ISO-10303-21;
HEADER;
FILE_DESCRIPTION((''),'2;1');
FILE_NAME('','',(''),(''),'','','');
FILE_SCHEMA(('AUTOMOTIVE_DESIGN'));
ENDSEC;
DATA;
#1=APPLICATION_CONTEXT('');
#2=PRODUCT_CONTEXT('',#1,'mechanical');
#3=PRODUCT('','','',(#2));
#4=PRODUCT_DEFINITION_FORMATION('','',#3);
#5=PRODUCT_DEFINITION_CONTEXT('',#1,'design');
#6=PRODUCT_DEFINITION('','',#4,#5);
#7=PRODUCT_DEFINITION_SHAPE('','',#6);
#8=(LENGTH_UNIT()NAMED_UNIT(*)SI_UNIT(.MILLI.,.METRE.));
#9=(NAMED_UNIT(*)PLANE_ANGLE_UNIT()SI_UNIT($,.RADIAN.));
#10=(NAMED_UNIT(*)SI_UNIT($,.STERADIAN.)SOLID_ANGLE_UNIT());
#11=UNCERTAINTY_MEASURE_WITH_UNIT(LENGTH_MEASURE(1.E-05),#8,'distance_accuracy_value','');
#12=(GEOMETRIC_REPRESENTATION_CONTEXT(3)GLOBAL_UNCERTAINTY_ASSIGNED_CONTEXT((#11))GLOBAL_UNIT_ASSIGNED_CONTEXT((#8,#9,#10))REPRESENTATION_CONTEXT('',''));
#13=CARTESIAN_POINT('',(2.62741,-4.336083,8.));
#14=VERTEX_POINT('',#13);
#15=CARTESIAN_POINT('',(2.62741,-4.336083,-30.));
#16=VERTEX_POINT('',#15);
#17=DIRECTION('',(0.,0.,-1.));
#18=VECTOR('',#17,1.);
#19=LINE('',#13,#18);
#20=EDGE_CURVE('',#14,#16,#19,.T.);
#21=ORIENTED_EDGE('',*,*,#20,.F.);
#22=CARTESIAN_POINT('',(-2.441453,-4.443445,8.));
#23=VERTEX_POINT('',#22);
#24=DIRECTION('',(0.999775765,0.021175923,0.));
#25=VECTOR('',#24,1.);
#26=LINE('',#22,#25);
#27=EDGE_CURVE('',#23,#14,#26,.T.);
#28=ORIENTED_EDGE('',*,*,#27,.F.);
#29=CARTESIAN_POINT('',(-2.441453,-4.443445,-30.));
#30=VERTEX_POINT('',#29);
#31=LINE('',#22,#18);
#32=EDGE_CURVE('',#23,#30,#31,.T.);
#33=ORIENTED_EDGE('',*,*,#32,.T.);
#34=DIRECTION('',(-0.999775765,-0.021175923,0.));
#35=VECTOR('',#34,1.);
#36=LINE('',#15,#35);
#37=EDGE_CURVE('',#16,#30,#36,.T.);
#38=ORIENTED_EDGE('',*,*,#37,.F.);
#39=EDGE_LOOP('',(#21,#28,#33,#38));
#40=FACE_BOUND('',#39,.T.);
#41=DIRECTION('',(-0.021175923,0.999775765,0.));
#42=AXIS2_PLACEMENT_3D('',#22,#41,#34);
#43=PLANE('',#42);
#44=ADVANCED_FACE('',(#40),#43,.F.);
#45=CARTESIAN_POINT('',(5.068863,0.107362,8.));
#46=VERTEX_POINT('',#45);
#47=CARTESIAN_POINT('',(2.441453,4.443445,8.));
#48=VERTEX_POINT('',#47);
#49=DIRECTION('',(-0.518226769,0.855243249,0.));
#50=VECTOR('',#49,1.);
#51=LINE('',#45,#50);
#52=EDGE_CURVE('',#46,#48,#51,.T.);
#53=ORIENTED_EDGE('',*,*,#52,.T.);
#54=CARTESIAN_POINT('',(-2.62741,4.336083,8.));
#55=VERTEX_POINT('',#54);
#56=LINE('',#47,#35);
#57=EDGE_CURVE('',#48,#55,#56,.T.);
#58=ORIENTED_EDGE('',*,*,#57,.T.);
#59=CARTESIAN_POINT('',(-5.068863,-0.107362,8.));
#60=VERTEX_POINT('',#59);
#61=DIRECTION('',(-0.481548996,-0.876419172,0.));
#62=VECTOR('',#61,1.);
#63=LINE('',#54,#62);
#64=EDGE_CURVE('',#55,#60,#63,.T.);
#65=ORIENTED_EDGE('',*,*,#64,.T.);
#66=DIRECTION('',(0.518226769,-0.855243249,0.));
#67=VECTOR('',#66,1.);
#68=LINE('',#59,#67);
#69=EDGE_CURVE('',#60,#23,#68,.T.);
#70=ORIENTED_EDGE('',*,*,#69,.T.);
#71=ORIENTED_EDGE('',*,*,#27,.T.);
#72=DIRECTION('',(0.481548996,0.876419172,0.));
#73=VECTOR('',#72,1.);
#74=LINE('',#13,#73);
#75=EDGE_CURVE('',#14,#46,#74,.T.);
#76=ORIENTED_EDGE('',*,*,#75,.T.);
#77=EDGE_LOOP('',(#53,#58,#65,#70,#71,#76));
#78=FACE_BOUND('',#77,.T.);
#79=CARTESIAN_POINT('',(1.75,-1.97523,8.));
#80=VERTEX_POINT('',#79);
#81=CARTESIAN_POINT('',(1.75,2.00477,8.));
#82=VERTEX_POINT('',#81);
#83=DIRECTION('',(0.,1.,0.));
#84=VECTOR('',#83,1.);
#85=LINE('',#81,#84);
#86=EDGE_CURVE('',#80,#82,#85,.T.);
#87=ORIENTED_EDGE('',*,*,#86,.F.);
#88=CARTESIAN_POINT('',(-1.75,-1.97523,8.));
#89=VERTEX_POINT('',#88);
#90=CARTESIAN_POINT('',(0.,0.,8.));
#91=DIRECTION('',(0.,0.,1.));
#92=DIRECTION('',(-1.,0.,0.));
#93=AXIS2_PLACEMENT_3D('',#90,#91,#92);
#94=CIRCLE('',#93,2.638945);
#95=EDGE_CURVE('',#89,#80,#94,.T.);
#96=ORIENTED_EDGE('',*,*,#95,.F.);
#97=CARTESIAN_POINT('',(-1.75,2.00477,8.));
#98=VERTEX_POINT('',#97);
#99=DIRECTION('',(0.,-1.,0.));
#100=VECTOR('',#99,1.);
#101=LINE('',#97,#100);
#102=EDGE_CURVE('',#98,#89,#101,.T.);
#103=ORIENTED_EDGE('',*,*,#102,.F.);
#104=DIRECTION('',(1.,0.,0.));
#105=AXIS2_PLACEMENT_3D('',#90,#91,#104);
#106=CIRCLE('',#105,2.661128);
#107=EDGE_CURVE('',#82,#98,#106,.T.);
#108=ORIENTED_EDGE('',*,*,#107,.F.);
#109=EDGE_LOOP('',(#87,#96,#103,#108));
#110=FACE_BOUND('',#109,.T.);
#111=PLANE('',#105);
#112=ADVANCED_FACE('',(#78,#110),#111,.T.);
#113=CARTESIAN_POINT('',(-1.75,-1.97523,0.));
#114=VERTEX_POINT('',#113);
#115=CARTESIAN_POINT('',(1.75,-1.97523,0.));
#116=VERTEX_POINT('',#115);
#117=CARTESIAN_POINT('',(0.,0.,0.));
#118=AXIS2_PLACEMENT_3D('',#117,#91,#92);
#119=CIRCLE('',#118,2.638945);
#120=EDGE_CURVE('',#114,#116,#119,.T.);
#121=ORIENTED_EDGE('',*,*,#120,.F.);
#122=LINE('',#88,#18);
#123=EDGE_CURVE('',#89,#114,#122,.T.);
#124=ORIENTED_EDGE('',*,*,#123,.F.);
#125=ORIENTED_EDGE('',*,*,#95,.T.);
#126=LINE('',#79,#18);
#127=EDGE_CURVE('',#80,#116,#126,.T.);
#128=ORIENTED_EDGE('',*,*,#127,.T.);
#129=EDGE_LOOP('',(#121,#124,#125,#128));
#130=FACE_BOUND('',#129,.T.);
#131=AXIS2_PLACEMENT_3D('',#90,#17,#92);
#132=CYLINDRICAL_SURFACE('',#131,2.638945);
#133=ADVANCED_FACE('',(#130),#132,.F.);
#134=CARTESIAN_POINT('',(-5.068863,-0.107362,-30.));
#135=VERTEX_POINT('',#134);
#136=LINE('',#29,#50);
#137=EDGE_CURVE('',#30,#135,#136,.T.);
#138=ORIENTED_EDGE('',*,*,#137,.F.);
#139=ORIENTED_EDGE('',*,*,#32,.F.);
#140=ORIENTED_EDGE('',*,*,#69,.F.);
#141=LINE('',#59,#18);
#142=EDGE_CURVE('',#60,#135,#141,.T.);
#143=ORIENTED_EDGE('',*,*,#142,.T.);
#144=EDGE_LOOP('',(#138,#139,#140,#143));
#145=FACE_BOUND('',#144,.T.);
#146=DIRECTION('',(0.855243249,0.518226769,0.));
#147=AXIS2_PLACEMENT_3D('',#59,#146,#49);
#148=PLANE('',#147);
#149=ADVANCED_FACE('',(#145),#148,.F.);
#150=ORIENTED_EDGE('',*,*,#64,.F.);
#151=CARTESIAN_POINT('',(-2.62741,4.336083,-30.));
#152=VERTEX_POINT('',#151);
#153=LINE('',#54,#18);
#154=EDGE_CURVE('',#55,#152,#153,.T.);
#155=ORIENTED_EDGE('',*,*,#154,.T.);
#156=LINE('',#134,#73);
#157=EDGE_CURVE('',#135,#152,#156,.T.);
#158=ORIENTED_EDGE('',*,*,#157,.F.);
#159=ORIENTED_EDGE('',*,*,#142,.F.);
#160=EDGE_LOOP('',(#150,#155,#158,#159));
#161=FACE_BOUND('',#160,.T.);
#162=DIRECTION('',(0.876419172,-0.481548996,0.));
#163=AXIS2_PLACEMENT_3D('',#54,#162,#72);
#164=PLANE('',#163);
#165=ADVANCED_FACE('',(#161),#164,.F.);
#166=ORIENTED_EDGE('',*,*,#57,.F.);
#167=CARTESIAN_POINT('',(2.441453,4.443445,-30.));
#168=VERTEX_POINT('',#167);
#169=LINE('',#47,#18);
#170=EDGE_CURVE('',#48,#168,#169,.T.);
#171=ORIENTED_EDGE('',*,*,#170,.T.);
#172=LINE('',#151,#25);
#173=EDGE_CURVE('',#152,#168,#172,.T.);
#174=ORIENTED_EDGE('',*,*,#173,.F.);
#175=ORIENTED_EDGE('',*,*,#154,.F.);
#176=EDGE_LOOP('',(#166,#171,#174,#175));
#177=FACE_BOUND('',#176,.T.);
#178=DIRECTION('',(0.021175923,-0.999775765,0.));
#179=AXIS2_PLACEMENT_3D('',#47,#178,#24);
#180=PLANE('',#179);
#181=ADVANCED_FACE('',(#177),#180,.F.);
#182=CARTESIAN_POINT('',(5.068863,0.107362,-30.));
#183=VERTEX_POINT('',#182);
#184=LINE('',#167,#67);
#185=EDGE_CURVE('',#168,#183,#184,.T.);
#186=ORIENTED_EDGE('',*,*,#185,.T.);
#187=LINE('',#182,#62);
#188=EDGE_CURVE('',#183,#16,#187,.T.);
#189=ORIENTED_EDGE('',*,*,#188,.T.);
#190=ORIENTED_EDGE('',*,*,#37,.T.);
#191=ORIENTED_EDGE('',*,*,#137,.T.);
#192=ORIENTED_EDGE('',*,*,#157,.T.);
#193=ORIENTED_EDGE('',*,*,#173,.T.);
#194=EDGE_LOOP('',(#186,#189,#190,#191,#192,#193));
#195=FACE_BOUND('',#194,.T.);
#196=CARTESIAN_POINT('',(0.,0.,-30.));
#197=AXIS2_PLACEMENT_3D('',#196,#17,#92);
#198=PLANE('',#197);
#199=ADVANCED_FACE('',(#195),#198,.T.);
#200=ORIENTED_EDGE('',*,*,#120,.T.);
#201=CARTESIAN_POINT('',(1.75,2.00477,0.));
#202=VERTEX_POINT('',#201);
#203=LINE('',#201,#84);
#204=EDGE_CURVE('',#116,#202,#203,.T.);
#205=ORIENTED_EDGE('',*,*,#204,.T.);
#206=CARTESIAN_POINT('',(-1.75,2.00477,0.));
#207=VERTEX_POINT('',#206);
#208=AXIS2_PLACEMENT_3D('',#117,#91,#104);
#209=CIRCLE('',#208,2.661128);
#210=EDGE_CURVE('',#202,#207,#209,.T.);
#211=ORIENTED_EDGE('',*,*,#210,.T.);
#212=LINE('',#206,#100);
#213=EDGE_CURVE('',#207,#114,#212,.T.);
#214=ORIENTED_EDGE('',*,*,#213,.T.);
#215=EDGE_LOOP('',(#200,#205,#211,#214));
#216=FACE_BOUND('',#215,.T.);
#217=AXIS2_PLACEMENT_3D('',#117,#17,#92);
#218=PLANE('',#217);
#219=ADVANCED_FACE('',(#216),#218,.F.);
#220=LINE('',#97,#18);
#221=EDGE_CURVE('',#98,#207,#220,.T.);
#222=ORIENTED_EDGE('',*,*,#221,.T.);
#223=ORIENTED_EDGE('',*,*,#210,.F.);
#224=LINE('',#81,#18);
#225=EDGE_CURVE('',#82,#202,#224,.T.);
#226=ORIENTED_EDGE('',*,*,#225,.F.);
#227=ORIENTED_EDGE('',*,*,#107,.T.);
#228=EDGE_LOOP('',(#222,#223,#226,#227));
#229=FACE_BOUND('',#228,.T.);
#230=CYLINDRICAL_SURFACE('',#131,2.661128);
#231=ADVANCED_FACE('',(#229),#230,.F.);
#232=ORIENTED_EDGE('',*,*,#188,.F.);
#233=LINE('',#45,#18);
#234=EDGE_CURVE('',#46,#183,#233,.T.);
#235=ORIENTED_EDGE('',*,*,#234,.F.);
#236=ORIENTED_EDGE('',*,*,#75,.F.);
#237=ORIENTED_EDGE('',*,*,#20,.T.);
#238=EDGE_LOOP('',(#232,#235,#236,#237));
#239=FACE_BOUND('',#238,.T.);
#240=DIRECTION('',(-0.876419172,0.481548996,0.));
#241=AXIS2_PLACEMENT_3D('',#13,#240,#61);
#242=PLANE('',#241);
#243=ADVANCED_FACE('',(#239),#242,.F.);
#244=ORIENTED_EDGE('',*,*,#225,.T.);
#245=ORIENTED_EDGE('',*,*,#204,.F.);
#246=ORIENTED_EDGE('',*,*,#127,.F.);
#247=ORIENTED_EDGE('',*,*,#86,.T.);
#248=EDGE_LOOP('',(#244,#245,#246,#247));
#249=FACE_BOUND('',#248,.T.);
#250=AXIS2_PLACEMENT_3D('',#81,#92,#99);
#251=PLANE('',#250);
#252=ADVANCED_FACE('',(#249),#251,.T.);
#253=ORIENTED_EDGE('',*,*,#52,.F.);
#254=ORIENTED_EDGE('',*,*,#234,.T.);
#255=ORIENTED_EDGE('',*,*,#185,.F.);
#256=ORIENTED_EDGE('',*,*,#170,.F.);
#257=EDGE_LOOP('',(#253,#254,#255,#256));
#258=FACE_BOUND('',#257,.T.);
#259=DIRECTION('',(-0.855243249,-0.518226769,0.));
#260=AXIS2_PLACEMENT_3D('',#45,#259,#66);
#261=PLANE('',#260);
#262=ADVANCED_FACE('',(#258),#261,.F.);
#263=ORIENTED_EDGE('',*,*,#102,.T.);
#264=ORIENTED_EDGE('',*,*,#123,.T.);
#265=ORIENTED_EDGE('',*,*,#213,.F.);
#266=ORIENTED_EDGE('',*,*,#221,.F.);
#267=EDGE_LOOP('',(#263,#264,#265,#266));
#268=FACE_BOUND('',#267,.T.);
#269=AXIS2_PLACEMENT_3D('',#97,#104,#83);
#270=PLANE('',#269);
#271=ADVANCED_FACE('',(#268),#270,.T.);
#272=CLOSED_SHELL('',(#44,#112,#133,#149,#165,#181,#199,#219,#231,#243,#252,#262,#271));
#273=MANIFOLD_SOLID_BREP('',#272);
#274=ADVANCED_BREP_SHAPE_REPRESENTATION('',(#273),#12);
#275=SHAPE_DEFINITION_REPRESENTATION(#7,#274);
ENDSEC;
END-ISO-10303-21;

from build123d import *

# Parameters (mm, degrees)
BOSS_EXTRUDE1_DEPTH = 8
BOSS_EXTRUDE2_DEPTH = 30


with BuildPart() as part:
    # Sketch1 → Boss-Extrude1 (new body)
    with BuildSketch(Plane.XY):
        Polygon((2.441453407, 4.443445202), (-2.627409721, 4.336083274), (-5.068863129, -0.107361928), (-2.441453407, -4.443445202), (2.627409721, -4.336083274), (5.068863129, 0.107361928), align=None)
        with BuildLine():
            Line((1.75, 2.004770405), (1.75, -1.975229595))
            ThreePointArc((1.75, -1.975229595), (0, -2.638945235), (-1.75, -1.975229595))
            Line((-1.75, -1.975229595), (-1.75, 2.004770405))
            ThreePointArc((-1.75, 2.004770405), (0, 2.661128403), (1.75, 2.004770405))
        make_face(mode=Mode.SUBTRACT)
    extrude(amount=BOSS_EXTRUDE1_DEPTH)

    # Sketch2 → Boss-Extrude2 (add)
    with BuildSketch(Plane(origin=(0, 0, 0), x_dir=(-1, 0, 0), z_dir=(0, 0, -1))):
        Polygon((2.627409721, 4.336083274), (-2.441453407, 4.443445202), (-5.068863129, 0.107361928), (-2.627409721, -4.336083274), (2.441453407, -4.443445202), (5.068863129, -0.107361928), align=None)
    extrude(amount=BOSS_EXTRUDE2_DEPTH)


solid = part.part
